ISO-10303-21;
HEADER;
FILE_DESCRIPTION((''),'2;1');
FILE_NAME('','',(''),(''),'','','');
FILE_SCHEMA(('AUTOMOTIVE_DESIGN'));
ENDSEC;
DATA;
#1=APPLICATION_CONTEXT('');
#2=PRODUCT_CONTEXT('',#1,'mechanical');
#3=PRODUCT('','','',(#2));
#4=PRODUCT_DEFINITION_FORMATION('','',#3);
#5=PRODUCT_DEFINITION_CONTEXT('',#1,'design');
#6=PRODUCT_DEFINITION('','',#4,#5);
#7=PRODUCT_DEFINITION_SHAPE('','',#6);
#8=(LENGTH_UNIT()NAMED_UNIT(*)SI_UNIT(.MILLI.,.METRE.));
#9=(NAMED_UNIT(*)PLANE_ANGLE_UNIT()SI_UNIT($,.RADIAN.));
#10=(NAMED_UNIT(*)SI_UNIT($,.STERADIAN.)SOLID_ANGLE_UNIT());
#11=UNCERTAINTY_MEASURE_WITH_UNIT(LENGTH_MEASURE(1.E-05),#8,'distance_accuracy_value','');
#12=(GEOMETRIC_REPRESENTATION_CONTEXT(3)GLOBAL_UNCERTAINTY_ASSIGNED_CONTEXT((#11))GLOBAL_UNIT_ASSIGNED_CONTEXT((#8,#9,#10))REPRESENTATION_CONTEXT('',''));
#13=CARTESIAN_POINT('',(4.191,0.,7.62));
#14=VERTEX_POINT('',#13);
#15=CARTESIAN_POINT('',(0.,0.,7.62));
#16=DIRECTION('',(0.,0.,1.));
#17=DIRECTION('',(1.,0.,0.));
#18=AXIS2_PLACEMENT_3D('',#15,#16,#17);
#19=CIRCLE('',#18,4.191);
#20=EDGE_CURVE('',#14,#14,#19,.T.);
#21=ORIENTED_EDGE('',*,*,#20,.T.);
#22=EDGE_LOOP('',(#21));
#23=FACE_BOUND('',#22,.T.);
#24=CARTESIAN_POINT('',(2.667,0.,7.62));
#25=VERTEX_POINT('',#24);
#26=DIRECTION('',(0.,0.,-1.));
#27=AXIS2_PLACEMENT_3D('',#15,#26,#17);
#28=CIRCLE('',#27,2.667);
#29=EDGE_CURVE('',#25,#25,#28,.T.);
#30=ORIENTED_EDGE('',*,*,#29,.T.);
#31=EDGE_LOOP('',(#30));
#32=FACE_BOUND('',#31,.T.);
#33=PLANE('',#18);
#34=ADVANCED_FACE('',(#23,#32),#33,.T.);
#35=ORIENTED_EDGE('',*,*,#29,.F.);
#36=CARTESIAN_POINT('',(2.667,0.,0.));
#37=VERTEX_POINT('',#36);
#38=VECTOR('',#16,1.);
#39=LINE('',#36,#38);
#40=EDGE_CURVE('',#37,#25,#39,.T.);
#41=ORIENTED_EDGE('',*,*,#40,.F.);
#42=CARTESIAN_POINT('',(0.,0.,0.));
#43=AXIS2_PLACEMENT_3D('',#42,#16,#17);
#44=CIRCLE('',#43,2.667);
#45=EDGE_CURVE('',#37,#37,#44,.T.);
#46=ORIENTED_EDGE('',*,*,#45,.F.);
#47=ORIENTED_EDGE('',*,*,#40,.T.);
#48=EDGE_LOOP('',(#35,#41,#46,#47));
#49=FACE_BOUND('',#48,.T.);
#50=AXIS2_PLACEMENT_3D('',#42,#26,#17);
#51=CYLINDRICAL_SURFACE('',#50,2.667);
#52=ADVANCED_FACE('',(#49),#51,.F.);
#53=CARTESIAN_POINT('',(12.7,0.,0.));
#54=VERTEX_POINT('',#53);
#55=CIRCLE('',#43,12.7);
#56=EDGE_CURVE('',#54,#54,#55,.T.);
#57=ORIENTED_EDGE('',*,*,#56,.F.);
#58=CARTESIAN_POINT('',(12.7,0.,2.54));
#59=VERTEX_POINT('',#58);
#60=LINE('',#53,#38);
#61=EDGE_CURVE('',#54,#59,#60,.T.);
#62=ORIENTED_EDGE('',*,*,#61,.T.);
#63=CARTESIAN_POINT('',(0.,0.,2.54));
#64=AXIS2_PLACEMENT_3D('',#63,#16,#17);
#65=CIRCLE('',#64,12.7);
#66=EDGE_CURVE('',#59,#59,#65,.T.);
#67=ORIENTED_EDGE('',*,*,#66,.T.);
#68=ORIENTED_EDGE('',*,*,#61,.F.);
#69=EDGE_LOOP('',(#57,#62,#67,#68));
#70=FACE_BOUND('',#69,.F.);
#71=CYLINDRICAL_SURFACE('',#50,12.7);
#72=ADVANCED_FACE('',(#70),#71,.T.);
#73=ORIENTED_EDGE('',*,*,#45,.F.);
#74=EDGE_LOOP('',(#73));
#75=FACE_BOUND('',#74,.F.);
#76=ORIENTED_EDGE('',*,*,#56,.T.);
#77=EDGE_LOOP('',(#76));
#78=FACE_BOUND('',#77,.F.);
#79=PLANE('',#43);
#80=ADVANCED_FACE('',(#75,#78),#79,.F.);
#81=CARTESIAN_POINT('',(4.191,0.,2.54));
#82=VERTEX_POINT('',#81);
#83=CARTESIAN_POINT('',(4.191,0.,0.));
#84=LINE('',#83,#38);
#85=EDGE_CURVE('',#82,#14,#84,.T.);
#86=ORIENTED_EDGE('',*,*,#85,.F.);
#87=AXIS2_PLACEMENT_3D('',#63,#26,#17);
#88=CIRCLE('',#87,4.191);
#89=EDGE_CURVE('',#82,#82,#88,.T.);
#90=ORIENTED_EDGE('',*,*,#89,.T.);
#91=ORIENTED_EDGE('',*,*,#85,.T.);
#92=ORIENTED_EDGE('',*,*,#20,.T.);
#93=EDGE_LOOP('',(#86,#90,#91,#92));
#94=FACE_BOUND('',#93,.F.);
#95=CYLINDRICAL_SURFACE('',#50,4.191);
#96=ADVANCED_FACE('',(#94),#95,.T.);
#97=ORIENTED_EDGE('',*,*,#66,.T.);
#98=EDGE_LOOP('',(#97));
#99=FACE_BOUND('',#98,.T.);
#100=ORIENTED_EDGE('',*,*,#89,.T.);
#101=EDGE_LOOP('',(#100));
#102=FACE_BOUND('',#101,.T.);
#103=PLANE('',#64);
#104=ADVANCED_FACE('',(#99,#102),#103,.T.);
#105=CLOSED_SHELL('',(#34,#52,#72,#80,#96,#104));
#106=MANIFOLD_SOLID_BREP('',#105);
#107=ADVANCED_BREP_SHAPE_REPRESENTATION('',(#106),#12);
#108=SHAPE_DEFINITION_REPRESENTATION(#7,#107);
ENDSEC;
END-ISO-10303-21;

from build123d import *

# Parameters (mm, degrees)
F0_R     = 12.7
F1_DEPTH = 2.54
F2_R     = 4.191
F3_DEPTH = 7.62
F4_R     = 2.667
F5_DEPTH = 7.621


with BuildPart() as f1:
    # F0 (on Top) → F1 (new body)
    with BuildSketch(Plane.XY):
        Circle(F0_R)
    extrude(amount=F1_DEPTH)

    # F2 (on Top) → F3 (join)
    with BuildSketch(Plane.XY):
        Circle(F2_R)
    extrude(amount=F3_DEPTH)

    # F4 (on Top) → F5 (cut, through all)
    with BuildSketch(Plane.XY):
        Circle(F4_R)
    extrude(amount=F5_DEPTH, mode=Mode.SUBTRACT)


solid = f1.part
